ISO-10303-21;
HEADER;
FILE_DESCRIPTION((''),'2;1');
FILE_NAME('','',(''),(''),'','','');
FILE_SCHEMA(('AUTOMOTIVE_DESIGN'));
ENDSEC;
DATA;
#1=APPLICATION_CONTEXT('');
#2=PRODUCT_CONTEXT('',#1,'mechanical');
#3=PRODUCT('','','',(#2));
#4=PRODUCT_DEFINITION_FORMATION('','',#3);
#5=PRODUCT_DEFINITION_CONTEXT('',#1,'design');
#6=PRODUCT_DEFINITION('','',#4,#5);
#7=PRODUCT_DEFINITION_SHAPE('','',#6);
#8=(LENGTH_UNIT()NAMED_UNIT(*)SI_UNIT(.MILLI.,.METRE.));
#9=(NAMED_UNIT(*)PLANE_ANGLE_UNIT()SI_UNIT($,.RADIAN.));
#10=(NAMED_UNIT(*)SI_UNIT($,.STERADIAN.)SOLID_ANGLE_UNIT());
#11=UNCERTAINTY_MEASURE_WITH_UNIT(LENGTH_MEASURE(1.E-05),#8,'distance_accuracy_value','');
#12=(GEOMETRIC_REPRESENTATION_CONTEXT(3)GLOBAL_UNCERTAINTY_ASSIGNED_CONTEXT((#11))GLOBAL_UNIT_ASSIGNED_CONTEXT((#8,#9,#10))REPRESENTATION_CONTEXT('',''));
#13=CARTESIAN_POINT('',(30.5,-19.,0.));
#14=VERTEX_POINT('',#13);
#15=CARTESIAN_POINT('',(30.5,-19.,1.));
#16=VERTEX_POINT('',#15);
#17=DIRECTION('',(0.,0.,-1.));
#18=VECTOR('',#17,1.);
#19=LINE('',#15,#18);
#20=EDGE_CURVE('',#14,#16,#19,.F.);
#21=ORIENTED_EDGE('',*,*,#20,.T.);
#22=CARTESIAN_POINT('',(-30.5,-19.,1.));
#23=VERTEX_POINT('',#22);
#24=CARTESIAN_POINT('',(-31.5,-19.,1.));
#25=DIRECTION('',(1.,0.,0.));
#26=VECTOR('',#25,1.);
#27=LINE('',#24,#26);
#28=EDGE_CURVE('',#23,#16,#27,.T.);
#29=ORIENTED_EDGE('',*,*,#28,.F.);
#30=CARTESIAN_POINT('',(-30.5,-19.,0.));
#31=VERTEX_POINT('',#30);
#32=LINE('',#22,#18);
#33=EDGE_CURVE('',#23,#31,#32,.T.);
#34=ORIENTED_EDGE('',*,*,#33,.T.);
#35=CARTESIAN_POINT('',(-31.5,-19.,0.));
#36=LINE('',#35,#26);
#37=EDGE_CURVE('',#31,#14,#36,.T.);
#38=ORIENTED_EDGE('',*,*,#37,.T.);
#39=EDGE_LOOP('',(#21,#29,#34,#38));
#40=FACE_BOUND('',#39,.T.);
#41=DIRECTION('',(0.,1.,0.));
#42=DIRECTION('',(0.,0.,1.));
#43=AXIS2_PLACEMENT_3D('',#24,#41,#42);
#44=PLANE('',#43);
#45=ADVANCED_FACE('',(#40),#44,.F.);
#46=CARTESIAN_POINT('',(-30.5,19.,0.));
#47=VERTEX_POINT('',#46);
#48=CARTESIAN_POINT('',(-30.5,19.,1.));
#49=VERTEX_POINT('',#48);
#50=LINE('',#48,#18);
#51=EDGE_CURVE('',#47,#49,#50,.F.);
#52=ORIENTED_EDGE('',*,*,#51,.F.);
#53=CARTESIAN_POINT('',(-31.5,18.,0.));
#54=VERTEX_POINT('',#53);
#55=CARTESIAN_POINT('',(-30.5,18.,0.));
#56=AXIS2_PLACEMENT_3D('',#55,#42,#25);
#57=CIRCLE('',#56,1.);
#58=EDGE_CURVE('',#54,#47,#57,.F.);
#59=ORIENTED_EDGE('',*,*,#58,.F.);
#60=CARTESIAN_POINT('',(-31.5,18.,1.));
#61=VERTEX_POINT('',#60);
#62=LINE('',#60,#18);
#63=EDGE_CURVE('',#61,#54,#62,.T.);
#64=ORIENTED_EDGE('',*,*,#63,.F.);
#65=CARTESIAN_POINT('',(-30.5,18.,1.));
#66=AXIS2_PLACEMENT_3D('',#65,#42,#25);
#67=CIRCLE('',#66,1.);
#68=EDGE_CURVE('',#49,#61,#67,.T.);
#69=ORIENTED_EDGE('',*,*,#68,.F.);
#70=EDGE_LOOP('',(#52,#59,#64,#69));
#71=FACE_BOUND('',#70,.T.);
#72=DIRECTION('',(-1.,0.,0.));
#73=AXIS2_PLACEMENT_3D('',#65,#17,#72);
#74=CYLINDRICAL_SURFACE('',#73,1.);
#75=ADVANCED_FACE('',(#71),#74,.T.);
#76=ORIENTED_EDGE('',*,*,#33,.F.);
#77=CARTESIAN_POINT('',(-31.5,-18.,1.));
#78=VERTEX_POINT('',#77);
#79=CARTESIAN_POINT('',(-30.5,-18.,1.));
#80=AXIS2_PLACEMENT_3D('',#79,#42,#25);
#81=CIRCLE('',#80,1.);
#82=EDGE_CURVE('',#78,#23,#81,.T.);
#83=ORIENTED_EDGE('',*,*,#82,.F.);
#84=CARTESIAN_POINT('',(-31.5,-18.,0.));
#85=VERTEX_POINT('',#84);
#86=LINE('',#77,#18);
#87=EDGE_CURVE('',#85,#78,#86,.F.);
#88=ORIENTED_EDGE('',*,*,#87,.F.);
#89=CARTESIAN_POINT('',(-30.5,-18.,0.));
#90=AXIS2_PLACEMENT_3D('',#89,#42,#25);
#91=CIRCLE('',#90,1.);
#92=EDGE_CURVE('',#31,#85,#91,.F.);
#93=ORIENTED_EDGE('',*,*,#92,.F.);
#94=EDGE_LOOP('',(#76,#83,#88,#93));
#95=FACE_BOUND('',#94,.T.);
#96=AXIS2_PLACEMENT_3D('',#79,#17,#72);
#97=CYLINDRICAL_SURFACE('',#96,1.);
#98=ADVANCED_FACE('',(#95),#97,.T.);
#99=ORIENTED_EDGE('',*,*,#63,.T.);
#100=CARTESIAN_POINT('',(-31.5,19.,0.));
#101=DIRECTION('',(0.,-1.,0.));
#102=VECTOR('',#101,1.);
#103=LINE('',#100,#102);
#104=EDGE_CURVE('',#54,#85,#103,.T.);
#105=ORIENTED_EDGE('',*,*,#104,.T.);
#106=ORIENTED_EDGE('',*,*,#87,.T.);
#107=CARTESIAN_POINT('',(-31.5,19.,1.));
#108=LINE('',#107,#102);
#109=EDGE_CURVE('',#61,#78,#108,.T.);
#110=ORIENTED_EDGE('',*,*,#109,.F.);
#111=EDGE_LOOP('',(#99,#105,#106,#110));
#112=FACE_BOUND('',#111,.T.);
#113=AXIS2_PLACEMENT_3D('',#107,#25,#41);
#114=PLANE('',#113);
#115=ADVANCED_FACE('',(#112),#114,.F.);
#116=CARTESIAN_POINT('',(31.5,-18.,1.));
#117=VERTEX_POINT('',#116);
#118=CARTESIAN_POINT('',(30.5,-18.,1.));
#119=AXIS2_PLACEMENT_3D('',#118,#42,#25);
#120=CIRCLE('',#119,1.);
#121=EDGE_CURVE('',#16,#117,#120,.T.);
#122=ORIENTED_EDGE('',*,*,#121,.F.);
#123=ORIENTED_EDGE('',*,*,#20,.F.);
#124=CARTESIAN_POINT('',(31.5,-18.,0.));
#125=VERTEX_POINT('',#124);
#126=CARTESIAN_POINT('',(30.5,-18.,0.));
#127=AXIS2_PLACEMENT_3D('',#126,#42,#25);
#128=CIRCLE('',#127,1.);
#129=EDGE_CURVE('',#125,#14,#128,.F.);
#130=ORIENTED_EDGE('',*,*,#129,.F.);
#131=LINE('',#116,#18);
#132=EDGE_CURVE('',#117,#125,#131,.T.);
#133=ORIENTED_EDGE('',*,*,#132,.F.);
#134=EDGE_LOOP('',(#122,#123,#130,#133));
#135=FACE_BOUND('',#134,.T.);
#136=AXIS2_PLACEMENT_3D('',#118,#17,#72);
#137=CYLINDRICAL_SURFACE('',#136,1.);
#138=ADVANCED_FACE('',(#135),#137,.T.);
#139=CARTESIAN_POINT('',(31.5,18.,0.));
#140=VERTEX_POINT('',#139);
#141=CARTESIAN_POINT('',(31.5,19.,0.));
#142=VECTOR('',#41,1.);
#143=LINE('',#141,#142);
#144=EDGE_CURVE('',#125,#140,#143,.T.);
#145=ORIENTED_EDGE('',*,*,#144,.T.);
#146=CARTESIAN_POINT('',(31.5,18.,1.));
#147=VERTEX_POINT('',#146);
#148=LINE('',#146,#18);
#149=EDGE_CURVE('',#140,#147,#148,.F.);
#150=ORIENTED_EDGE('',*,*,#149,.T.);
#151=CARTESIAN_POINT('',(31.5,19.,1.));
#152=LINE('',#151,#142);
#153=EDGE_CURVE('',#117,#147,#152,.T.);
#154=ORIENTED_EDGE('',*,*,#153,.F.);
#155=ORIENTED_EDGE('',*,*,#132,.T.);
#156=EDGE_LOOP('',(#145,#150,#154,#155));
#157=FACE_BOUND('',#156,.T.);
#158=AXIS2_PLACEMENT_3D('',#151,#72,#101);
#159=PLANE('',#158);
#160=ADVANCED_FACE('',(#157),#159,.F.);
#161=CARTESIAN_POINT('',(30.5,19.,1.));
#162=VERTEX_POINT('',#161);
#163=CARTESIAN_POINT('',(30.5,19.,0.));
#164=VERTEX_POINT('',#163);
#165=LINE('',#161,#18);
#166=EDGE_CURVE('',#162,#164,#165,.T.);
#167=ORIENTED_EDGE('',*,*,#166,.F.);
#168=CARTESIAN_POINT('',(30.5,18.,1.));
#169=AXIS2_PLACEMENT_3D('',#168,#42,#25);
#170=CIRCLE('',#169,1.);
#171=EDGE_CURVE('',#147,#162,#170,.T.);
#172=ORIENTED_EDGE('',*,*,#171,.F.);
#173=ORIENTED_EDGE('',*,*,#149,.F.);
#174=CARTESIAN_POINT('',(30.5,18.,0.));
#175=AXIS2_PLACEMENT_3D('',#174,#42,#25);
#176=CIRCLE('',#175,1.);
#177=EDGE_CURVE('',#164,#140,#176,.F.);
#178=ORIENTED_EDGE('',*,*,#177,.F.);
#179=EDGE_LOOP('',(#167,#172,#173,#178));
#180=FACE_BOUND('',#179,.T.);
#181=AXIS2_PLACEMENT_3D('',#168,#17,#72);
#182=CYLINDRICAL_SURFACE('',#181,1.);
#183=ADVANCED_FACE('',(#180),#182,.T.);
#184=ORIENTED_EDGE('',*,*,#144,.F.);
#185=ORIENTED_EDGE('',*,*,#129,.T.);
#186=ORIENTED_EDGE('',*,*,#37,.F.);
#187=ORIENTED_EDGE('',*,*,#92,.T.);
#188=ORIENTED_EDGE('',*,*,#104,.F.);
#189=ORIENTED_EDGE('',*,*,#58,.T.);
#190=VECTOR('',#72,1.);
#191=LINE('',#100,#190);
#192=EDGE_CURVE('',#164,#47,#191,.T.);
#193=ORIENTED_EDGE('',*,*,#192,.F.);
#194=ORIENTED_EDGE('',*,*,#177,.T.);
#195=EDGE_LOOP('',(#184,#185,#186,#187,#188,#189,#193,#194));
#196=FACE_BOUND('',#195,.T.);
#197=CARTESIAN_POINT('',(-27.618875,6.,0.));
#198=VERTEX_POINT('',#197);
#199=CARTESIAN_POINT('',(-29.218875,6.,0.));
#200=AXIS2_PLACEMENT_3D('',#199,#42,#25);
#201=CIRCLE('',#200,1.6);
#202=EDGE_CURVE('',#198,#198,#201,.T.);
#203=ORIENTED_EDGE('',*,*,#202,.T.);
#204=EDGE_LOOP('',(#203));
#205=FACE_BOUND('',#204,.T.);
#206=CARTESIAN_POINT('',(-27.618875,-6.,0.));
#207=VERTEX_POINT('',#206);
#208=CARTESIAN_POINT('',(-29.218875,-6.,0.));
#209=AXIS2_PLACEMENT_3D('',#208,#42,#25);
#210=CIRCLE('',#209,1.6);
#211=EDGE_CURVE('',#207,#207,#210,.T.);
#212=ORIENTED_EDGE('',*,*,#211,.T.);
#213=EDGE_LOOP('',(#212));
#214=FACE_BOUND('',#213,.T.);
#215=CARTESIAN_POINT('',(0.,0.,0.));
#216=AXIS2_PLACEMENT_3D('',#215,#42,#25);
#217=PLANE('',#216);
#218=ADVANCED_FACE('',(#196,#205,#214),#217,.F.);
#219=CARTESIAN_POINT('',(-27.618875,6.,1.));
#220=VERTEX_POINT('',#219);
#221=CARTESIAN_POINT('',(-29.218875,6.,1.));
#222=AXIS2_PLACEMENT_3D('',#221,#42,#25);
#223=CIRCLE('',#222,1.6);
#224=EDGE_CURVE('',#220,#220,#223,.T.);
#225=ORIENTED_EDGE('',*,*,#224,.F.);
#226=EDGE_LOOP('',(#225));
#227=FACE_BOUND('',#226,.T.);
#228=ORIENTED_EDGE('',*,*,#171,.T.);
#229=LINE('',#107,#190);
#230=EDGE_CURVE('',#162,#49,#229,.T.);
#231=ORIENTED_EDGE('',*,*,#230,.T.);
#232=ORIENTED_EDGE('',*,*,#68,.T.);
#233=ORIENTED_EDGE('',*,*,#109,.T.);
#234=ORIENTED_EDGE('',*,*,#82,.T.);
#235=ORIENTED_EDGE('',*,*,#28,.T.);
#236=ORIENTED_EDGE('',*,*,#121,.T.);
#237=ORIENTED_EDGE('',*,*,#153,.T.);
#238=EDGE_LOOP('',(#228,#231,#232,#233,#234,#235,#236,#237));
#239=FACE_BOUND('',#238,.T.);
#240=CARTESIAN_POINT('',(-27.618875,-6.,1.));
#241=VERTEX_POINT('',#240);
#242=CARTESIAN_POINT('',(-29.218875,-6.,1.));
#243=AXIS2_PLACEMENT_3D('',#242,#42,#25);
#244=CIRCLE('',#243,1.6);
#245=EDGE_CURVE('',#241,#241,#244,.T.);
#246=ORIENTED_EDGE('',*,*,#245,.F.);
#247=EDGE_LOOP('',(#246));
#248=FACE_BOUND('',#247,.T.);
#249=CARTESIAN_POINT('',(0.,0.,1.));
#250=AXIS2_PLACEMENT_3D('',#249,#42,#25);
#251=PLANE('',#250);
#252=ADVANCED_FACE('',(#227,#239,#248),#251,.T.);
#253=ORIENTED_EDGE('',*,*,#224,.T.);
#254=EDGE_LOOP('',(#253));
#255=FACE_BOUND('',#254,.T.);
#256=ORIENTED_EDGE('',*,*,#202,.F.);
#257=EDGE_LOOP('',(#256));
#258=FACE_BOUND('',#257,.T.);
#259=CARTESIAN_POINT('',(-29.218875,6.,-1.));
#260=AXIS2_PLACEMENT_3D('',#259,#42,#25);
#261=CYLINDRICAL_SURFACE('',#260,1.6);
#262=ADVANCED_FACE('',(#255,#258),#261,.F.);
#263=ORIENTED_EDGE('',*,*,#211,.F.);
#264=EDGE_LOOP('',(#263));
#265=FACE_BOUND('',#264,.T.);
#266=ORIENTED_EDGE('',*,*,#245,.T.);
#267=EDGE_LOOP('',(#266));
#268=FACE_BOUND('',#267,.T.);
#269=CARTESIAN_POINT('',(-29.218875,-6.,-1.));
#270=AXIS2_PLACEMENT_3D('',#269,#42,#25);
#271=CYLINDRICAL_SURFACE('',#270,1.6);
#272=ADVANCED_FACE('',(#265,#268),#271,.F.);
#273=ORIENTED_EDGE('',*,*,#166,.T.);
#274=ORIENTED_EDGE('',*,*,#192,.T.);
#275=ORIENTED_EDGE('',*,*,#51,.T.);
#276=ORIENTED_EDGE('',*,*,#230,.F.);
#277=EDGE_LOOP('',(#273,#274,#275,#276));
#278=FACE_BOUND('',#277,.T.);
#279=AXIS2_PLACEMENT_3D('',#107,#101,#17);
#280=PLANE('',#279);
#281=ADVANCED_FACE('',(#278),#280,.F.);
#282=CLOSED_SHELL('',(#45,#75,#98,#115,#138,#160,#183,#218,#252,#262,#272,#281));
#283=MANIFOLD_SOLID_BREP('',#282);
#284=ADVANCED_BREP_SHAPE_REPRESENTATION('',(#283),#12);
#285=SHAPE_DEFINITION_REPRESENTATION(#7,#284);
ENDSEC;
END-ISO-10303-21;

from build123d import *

# Parameters (mm, degrees)
SKETCH_1_W          = 63
SKETCH_1_H          = 38
EXTRUDE_1_DEPTH     = 1
FILLET_1_R          = 1
SKETCH_2_R          = 1.6
CUT_EXTRUDE_1_DEPTH = 2


with BuildPart() as part:
    # 草图1 → 凸台-拉伸1 (new body)
    with BuildSketch(Plane.XY):
        Rectangle(SKETCH_1_W, SKETCH_1_H)
    extrude(amount=EXTRUDE_1_DEPTH)

    # 圆角1
    fillet_1_edges = [part.edges().sort_by_distance(p)[0] for p in [
        (31.5, -19, 0.5),
        (-31.5, -19, 0.5),
        (-31.5, 19, 0.5),
        (31.5, 19, 0.5),
    ]]
    fillet(fillet_1_edges, radius=FILLET_1_R)

    # 草图2 → 切除-拉伸1 (cut)
    with BuildSketch(Plane.XY.offset(1)):
        with Locations((-29.218874675, -6)):
            Circle(SKETCH_2_R)
        with Locations((-29.218874675, 6)):
            Circle(SKETCH_2_R)
    extrude(amount=-CUT_EXTRUDE_1_DEPTH, mode=Mode.SUBTRACT)


solid = part.part
